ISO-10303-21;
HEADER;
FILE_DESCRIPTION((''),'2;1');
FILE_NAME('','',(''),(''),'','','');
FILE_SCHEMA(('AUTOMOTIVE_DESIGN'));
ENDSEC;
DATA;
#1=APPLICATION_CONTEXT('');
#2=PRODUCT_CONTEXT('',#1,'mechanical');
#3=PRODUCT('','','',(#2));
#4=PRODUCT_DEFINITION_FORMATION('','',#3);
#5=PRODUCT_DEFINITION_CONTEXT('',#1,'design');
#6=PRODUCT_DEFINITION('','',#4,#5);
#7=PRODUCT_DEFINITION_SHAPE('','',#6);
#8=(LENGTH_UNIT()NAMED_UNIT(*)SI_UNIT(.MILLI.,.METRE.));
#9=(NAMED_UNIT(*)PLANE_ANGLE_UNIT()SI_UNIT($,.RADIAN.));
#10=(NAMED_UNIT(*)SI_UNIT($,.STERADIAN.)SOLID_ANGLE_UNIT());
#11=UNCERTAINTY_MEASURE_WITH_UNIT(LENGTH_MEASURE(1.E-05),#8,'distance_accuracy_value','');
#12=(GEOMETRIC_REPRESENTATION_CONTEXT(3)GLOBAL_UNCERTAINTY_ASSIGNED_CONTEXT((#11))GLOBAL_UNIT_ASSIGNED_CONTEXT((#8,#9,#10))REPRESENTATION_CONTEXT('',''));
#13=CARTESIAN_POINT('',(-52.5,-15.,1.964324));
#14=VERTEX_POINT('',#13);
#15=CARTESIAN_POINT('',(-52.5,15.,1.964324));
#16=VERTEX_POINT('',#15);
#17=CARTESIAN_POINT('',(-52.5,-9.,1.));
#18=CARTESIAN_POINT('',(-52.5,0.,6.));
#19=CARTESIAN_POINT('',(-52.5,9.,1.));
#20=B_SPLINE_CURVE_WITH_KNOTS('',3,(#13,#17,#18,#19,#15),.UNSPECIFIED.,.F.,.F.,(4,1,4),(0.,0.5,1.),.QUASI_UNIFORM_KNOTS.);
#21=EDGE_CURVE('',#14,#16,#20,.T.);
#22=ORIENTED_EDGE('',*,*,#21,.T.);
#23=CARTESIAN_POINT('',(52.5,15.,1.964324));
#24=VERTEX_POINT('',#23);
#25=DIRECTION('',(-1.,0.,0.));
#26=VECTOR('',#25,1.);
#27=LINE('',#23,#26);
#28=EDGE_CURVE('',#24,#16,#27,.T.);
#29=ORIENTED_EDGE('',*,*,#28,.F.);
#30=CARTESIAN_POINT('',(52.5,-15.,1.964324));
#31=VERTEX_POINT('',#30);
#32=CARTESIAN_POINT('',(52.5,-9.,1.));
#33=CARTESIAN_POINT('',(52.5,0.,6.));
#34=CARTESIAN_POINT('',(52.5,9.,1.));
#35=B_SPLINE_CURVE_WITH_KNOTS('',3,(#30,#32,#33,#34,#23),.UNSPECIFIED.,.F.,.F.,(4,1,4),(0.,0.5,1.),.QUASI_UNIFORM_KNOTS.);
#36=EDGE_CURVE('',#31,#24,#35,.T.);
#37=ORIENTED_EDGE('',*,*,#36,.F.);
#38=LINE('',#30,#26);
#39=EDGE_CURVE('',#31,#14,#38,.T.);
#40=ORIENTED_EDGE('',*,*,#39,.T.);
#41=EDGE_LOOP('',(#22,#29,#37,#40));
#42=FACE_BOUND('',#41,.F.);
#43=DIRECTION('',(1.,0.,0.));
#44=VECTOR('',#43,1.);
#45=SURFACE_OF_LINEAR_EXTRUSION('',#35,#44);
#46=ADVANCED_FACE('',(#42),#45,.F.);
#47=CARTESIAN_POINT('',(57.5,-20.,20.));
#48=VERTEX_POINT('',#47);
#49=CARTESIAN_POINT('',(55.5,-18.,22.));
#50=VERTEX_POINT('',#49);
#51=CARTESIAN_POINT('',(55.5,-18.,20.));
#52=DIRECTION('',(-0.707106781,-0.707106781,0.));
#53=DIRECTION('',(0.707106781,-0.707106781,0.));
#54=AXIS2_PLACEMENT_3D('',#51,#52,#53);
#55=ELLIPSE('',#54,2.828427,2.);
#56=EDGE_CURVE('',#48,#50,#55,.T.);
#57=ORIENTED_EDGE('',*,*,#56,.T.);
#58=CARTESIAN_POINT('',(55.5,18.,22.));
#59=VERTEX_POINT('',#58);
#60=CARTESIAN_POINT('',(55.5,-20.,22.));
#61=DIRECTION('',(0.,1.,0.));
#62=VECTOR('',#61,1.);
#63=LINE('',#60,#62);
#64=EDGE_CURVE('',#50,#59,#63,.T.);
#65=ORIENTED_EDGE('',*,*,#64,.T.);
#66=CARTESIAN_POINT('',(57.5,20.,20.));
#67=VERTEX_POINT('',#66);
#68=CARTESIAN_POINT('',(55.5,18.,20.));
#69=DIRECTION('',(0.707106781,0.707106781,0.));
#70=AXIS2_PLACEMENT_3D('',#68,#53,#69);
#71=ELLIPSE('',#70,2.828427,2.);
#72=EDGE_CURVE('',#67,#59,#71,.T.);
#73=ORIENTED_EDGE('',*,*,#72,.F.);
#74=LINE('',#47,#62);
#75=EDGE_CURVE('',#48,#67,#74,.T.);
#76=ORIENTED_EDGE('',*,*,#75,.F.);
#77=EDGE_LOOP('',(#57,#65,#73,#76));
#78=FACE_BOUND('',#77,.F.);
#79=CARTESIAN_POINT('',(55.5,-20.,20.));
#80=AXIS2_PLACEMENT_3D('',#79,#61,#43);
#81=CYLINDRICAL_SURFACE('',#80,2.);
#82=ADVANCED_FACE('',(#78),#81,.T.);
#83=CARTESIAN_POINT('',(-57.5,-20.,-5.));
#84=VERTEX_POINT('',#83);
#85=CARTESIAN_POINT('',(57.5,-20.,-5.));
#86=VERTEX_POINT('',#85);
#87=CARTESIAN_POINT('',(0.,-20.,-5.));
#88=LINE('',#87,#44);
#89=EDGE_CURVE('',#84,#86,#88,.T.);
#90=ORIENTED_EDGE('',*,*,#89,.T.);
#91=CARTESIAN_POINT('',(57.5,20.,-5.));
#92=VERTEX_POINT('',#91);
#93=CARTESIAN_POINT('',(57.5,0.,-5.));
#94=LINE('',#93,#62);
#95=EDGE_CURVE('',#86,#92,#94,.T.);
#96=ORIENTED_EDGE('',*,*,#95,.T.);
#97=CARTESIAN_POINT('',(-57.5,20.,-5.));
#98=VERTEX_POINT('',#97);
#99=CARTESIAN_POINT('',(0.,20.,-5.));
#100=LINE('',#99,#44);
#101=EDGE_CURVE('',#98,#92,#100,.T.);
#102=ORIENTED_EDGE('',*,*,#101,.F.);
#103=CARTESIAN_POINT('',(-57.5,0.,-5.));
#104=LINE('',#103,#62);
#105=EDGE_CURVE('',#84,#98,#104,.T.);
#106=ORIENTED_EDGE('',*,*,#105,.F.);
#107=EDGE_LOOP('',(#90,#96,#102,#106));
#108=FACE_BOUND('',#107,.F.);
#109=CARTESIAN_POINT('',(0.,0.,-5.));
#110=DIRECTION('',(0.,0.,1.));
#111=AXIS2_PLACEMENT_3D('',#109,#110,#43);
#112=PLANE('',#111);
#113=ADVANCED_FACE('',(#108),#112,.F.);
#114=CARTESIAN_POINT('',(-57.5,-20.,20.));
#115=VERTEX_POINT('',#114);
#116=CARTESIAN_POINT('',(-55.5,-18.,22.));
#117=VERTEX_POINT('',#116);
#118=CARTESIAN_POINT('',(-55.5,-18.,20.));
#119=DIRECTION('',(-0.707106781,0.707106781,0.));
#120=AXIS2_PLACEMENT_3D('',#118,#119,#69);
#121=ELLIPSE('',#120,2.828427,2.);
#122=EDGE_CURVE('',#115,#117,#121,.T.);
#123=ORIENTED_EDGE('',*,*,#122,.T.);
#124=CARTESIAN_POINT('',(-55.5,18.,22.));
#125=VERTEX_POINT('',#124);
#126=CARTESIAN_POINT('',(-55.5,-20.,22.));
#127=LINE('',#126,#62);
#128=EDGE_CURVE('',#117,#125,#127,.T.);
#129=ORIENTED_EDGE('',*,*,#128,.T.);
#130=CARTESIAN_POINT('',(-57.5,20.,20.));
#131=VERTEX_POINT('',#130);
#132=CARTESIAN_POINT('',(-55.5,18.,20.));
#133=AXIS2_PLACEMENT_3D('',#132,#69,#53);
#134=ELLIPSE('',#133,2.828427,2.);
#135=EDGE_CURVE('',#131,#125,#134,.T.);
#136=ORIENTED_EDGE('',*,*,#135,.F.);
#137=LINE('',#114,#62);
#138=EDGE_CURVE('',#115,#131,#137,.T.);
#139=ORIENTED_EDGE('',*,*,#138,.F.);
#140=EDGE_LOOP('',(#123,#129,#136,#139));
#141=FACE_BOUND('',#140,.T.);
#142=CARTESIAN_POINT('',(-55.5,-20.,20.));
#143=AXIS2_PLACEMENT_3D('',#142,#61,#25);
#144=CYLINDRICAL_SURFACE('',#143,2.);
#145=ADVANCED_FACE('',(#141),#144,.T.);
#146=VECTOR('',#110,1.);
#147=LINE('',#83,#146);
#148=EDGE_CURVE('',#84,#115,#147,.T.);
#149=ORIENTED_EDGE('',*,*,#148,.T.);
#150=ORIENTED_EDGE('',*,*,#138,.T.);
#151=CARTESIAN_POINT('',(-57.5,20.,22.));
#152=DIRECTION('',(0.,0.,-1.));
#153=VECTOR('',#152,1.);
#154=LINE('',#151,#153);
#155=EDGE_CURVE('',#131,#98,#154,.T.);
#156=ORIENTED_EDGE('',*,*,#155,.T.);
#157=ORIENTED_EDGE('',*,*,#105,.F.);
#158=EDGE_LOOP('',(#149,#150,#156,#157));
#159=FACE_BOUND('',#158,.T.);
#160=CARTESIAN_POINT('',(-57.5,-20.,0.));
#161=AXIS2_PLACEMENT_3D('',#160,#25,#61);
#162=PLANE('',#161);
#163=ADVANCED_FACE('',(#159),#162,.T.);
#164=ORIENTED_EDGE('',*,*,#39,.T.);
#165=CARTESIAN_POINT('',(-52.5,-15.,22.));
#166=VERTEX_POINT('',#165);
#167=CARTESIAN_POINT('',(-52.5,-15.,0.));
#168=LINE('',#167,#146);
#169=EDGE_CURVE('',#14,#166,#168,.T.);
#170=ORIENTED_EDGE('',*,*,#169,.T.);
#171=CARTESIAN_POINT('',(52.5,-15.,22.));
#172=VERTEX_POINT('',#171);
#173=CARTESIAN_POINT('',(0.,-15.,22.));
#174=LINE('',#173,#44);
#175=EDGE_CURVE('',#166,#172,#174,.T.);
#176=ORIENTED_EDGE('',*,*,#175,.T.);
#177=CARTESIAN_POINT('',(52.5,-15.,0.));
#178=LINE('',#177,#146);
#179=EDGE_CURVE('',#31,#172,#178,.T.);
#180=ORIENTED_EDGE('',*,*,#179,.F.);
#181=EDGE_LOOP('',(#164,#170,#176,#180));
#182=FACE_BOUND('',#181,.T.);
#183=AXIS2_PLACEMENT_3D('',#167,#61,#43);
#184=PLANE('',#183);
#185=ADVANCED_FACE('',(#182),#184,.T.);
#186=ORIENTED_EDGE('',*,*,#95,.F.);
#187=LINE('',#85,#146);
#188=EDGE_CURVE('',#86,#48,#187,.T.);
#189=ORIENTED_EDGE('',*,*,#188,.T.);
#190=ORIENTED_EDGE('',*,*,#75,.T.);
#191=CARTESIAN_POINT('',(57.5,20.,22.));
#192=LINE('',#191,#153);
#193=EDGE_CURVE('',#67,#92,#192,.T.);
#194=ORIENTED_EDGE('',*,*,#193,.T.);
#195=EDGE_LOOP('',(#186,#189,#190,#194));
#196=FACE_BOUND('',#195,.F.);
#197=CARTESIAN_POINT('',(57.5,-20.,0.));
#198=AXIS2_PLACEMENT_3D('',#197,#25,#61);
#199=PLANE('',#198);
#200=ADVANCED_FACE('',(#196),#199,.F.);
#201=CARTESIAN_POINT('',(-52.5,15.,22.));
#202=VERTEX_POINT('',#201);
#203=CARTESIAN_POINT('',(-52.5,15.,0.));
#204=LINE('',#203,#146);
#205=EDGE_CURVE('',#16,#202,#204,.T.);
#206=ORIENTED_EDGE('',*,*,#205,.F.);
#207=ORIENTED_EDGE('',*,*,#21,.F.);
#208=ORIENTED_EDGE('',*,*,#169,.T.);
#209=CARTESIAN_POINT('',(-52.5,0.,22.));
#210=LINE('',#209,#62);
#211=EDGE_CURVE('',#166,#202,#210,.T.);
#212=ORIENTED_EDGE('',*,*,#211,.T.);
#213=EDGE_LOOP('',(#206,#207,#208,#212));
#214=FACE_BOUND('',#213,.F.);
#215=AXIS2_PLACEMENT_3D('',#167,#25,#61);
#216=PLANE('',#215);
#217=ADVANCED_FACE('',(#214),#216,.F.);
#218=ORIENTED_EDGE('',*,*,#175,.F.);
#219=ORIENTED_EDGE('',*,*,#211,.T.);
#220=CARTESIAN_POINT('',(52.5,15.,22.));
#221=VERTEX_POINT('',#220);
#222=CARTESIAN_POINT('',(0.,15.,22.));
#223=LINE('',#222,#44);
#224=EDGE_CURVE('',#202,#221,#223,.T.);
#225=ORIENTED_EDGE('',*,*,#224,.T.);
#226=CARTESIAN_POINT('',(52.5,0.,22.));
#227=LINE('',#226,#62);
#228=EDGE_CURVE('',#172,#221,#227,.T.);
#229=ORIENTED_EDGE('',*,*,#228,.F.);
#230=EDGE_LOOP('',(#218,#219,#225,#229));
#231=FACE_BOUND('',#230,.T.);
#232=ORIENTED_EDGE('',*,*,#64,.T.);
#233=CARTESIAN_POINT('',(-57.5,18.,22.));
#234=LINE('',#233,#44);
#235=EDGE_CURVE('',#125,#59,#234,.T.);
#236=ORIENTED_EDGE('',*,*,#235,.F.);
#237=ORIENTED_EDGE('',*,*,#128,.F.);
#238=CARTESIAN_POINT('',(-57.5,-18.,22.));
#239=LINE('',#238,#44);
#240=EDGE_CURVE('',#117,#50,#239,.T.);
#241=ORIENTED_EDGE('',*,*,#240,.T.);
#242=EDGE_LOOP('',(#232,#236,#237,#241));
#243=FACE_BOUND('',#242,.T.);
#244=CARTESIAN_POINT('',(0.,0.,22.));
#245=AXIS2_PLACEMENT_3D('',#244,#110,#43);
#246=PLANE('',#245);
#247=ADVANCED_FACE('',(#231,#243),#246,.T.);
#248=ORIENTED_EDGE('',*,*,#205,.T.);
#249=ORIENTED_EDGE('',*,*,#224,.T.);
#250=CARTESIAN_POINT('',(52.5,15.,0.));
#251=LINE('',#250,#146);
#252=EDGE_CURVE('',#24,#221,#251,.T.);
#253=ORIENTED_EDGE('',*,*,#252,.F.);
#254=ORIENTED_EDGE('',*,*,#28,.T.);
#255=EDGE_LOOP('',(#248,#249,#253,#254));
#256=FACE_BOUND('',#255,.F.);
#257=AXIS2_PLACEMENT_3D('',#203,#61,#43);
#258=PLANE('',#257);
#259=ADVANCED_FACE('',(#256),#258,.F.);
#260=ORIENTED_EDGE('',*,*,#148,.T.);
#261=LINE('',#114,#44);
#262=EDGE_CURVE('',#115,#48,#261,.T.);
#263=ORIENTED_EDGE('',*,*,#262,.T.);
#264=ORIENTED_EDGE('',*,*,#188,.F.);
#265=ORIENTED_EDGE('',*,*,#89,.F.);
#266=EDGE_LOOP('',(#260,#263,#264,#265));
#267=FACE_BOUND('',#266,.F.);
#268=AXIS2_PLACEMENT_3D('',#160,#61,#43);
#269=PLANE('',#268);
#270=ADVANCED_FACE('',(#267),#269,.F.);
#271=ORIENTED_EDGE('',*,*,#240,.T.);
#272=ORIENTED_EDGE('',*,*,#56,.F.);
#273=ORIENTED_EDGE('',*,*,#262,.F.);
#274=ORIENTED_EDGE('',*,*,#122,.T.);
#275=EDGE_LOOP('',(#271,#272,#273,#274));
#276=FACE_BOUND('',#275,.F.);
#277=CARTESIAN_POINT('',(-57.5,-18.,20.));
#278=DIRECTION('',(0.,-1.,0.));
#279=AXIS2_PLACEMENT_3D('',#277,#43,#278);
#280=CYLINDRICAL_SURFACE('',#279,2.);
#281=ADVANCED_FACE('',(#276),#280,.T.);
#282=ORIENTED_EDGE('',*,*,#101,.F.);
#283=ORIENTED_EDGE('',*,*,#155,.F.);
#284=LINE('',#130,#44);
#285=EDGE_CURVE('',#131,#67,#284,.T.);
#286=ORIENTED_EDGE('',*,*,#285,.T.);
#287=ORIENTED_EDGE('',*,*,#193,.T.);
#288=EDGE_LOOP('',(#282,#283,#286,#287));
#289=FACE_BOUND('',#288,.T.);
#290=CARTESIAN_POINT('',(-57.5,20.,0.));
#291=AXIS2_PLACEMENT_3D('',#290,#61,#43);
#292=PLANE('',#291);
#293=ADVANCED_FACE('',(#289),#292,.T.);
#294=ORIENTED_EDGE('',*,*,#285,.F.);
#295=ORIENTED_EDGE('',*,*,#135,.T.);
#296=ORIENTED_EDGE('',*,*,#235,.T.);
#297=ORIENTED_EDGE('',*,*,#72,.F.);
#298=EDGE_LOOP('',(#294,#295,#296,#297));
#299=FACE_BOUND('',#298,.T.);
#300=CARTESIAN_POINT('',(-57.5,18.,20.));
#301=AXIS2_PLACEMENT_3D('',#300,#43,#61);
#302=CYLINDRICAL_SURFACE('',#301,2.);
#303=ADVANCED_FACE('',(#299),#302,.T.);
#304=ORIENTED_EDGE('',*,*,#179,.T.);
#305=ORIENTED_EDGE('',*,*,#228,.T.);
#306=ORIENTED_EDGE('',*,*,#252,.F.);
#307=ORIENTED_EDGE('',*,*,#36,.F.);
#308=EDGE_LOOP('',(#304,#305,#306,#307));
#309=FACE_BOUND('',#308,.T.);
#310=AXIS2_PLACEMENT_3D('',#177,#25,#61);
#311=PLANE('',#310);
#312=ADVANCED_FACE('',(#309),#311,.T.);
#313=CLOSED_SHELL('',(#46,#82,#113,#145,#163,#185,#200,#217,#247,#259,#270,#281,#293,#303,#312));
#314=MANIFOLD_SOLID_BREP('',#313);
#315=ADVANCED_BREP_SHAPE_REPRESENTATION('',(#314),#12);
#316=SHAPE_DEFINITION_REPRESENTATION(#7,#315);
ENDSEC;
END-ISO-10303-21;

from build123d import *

# Parameters (mm, degrees)
F0_W     = 115
F0_H     = 40
F0_W_2   = 105
F0_H_2   = 30
F1_DEPTH = 5
F2_DEPTH = 22
F3_R     = 2
F5_DEPTH = 105


with BuildPart() as f1:
    # F0 (on Top) → F1 (new body)
    with BuildSketch(Plane.XY):
        Rectangle(F0_W, F0_H)
        Rectangle(F0_W_2, F0_H_2, mode=Mode.SUBTRACT)
        Rectangle(F0_W_2, F0_H_2)
    extrude(amount=-F1_DEPTH)

    # F0 (on Top) → F2 (join)
    with BuildSketch(Plane.XY):
        Rectangle(F0_W, F0_H)
        Rectangle(F0_W_2, F0_H_2, mode=Mode.SUBTRACT)
    extrude(amount=F2_DEPTH)

    # F3
    f3_edges = [f1.edges().sort_by_distance(p)[0] for p in [
        (0, 20, 22),
        (-57.5, 0, 22),
        (0, -20, 22),
        (57.5, 0, 22),
    ]]
    fillet(f3_edges, radius=F3_R)

    # F4 (on face) → F5 (join, through all)
    with BuildSketch(Plane(origin=(52.5, 0, 0), x_dir=(0, -1, 0), z_dir=(-1, 0, 0))):
        with BuildLine():
            Line((-15, 1.9643241272), (-15, 0))
            Line((-15, 0), (15, 0))
            Line((15, 0), (15, 1.9643241272))
            add(Edge.make_bspline(
                [(15, 1.9643241272), (9, 1), (0, 6), (-9, 1), (-15, 1.9643241272)],
                knots=[0, 0, 0, 0, 0.5, 1, 1, 1, 1], degree=3))
        make_face()
    extrude(amount=F5_DEPTH)


solid = f1.part
